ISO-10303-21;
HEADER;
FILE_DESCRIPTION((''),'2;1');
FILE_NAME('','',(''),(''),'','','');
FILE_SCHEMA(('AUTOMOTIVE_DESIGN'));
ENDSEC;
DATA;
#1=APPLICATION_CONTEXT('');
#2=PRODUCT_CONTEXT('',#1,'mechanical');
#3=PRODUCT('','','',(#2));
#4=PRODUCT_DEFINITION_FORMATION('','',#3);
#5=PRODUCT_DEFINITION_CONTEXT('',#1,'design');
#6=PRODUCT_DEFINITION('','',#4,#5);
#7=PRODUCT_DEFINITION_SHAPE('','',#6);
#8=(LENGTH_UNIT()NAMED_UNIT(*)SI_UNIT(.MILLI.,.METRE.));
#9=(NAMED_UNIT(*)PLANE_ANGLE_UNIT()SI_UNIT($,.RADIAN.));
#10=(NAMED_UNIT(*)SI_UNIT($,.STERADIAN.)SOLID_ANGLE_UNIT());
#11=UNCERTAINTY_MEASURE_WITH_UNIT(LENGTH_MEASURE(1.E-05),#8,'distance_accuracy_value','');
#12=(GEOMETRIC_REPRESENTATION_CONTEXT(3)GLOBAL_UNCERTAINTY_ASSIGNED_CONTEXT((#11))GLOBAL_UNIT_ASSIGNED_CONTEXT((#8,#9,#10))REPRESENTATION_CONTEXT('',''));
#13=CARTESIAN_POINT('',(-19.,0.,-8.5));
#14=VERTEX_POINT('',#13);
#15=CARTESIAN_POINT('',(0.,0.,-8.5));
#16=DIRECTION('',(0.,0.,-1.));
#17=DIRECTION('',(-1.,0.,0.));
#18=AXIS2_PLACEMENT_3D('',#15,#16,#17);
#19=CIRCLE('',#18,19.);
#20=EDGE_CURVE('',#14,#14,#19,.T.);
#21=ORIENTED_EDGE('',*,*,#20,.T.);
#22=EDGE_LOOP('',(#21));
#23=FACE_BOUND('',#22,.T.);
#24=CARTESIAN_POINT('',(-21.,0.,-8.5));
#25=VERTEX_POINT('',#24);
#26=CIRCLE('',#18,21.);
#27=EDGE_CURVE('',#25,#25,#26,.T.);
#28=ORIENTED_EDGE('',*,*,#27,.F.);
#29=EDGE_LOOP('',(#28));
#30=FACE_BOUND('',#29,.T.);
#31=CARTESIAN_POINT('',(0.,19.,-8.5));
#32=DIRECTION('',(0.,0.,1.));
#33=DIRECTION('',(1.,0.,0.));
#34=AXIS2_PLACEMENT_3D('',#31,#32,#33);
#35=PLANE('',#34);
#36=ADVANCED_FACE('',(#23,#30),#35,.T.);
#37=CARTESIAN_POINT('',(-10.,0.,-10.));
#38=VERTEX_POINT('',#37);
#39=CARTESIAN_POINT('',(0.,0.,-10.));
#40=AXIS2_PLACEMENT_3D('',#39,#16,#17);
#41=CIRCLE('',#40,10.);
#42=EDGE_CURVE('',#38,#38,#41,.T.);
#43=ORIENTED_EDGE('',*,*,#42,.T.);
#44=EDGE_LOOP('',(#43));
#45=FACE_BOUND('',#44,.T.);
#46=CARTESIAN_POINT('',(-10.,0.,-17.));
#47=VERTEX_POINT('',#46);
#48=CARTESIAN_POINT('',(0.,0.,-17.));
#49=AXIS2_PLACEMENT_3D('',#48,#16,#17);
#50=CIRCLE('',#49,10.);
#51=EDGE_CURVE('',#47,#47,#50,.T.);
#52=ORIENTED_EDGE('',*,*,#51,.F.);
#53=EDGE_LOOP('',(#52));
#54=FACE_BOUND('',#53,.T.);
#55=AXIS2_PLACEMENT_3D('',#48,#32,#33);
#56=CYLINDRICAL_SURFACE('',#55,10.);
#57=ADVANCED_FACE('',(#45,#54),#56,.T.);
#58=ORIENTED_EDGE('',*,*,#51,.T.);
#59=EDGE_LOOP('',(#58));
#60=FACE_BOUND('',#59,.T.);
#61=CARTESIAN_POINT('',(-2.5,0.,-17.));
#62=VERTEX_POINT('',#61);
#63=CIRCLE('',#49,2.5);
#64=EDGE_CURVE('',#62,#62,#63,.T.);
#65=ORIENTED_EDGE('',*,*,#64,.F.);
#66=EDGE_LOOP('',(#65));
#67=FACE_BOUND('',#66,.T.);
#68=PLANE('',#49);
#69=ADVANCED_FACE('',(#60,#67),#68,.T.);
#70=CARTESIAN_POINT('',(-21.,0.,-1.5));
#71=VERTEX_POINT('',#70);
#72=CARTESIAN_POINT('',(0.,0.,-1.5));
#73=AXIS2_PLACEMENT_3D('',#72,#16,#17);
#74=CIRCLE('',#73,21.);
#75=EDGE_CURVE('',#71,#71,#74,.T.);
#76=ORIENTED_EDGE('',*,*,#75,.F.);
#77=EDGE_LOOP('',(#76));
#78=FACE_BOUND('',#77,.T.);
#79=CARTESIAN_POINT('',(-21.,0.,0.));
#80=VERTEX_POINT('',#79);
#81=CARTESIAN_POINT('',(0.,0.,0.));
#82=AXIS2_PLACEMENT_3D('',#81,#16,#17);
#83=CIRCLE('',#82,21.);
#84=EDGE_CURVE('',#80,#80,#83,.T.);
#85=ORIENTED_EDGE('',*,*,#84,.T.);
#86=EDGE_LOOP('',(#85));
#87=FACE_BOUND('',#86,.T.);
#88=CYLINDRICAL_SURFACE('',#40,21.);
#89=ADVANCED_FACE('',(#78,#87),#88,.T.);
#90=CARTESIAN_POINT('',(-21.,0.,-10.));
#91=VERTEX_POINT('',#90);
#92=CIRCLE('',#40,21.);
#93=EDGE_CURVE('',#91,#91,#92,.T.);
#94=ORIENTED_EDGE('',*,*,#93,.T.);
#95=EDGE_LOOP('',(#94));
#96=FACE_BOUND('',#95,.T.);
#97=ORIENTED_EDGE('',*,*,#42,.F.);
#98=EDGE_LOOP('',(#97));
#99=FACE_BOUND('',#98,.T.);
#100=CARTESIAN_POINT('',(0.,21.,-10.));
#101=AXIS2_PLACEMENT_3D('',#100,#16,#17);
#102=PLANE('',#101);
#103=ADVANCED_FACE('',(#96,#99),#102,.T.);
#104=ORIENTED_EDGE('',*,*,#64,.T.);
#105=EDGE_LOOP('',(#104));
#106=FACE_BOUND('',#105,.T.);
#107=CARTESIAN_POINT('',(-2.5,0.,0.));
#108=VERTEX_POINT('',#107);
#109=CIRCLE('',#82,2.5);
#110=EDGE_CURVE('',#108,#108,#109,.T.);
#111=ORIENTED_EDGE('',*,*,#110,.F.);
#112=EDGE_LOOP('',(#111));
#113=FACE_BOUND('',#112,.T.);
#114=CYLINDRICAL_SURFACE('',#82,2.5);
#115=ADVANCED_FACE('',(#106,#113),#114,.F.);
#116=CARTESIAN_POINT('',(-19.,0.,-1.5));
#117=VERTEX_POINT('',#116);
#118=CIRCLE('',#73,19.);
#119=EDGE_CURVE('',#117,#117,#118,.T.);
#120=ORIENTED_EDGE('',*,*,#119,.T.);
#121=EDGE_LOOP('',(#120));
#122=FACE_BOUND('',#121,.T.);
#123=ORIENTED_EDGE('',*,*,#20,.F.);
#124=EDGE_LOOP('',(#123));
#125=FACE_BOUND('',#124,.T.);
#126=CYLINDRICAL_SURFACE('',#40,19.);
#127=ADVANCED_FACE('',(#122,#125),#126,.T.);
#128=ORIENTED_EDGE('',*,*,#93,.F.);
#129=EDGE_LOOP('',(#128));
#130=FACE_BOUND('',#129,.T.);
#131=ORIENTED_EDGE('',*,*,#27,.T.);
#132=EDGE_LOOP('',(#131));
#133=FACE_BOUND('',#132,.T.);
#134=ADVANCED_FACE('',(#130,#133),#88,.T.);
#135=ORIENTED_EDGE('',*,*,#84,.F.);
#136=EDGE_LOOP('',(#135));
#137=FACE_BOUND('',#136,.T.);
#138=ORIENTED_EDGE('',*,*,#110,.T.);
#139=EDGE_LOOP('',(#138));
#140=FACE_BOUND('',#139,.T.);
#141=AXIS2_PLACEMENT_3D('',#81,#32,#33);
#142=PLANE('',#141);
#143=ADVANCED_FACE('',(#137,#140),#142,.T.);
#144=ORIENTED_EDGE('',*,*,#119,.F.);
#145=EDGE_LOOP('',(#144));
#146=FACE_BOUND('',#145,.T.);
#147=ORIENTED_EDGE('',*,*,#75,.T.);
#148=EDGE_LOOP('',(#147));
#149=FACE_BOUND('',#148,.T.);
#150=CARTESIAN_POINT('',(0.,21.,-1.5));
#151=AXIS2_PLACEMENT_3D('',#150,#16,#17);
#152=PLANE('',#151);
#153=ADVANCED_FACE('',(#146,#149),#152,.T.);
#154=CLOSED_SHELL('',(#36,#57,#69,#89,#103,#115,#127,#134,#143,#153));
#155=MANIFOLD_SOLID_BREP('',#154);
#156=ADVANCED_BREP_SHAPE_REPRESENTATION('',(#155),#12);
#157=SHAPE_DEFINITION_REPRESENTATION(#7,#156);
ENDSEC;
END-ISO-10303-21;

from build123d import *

# Parameters (mm, degrees)
SKETCH_3_R          = 10
EXTRUDE_1_DEPTH     = 7
SKETCH_4_R          = 2.5
CUT_EXTRUDE_1_DEPTH = 18


with BuildPart() as part:
    # Эскиз2 → Повернуть1 (revolve)
    with BuildSketch(Plane(origin=(0, 0, 0), x_dir=(0, 0, -1), z_dir=(1, 0, 0))):
        Polygon((0, 0), (0, 21), (1.5, 21), (1.5, 19), (8.5, 19), (8.5, 21), (10, 21), (10, 0), align=None)
    revolve(axis=Axis((0, 0, -10), (0, 0, 1)))

    # Эскиз3 → Бобышка-Вытянуть1 (add)
    with BuildSketch(Plane(origin=(0, 0, -10), x_dir=(-1, 0, 0), z_dir=(0, 0, -1))):
        Circle(SKETCH_3_R)
    extrude(amount=EXTRUDE_1_DEPTH)

    # Эскиз4 → Вырез-Вытянуть1 (cut, through all)
    with BuildSketch(Plane(origin=(0, 0, -17), x_dir=(-1, 0, 0), z_dir=(0, 0, -1))):
        Circle(SKETCH_4_R)
    extrude(amount=-CUT_EXTRUDE_1_DEPTH, mode=Mode.SUBTRACT)


solid = part.part
